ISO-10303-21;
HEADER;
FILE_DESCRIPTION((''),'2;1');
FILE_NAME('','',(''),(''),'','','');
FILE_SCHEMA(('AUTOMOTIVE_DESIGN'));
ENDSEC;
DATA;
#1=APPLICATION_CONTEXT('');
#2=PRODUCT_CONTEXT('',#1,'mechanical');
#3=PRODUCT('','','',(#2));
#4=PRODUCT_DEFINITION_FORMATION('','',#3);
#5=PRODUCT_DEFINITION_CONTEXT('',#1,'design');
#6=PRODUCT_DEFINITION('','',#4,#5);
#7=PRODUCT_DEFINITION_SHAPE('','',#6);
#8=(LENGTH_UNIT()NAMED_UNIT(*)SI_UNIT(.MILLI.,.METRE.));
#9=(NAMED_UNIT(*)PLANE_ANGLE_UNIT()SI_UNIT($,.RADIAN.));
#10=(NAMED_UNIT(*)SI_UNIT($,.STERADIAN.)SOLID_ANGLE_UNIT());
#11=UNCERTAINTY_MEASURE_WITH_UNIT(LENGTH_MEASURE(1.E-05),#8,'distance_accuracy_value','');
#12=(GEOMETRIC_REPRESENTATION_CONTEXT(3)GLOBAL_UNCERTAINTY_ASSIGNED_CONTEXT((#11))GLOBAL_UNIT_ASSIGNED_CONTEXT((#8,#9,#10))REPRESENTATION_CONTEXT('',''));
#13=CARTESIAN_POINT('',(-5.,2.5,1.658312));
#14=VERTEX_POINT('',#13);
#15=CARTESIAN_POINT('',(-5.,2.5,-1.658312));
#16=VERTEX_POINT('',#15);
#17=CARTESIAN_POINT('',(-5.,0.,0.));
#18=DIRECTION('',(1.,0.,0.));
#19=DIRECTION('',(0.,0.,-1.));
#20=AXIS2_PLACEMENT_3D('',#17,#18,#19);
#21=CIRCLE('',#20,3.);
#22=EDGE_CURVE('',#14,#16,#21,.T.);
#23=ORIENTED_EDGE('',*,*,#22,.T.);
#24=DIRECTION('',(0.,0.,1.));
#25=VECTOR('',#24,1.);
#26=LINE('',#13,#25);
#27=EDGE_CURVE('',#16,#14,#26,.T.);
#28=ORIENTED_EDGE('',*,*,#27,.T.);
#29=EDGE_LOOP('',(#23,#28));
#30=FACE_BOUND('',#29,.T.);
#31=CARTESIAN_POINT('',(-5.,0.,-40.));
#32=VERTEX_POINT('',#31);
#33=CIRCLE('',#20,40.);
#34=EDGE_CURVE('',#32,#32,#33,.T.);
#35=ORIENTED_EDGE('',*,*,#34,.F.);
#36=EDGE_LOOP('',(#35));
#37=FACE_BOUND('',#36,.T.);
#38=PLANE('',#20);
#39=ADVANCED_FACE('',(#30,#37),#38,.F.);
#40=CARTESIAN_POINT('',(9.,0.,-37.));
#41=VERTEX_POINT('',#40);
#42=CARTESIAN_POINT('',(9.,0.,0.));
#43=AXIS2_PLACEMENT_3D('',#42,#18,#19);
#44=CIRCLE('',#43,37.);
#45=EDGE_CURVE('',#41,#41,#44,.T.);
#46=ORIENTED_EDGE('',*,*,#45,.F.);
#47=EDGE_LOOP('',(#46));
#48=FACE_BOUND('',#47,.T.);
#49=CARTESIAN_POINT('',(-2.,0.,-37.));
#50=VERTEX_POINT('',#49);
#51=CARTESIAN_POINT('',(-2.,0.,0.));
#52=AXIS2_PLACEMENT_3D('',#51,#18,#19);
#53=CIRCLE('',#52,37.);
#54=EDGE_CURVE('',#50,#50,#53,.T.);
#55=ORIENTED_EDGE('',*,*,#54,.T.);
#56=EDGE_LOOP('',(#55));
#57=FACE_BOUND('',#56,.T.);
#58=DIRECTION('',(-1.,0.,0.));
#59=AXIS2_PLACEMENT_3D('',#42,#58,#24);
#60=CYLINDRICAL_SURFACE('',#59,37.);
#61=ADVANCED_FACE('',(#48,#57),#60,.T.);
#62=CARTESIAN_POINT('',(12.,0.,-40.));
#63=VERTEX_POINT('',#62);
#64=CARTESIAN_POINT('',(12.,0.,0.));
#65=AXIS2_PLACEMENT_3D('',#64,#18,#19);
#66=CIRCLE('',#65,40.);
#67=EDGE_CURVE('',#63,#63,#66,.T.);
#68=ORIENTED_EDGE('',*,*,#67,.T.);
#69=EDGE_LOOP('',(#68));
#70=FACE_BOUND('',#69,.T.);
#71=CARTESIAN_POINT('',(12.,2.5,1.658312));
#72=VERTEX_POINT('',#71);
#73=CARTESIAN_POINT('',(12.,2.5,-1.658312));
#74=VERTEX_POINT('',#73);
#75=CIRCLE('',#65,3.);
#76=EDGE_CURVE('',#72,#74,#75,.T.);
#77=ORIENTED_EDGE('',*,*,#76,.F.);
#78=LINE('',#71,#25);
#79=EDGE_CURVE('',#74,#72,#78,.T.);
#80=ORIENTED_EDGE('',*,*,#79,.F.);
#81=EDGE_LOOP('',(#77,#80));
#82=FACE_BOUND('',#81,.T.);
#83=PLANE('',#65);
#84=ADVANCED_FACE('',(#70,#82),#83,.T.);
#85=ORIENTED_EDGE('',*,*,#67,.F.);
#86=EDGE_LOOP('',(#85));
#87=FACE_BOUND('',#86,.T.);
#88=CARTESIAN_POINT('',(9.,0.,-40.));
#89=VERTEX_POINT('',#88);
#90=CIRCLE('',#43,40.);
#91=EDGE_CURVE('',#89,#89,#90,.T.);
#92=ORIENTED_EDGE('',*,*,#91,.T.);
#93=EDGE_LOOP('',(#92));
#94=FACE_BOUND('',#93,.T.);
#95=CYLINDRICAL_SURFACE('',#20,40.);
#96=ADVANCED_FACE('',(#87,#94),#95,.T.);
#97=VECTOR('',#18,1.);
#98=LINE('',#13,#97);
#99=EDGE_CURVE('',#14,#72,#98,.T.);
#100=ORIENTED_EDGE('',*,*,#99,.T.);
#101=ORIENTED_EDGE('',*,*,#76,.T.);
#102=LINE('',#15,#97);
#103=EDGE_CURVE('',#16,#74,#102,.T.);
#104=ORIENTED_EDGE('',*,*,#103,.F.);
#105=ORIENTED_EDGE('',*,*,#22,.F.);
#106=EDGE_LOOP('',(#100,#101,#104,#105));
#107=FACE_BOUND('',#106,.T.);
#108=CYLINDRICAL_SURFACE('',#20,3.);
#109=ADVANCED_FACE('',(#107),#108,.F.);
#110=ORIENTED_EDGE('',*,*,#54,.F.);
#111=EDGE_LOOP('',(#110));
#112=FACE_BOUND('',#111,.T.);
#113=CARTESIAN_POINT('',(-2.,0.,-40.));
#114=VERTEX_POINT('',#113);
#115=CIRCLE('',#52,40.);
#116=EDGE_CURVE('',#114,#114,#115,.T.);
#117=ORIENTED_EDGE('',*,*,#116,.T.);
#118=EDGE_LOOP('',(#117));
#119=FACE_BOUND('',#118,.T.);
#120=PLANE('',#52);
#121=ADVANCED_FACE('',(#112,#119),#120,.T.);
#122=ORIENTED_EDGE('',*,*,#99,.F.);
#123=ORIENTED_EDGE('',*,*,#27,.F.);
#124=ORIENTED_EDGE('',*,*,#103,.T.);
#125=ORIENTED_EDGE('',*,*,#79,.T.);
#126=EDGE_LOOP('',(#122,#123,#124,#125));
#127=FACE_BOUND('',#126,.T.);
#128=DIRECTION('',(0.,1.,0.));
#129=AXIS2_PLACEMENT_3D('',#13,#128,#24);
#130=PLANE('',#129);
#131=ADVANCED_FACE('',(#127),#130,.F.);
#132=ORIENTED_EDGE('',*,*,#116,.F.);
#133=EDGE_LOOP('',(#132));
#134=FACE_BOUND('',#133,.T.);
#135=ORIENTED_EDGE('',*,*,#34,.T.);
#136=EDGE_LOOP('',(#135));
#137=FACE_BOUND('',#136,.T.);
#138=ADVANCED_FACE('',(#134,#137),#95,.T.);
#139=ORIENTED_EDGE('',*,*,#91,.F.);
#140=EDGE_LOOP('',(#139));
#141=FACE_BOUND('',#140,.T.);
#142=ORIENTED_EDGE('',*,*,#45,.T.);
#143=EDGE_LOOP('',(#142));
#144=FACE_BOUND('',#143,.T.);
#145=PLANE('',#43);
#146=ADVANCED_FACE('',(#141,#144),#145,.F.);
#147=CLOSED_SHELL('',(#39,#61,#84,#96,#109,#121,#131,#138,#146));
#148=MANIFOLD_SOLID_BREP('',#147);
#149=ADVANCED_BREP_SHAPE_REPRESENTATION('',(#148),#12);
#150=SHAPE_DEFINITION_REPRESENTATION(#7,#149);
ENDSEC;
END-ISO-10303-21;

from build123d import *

# Parameters (mm, degrees)
BASE_DEPTH           = 12
BASE_DEPTH_BACK      = 5
ESQUISSE1_R          = 40
VIDE_PNEU_DEPTH      = 9
VIDE_PNEU_DEPTH_BACK = 2
ESQUISSE4_R          = 40
ESQUISSE4_R_2        = 37


with BuildPart() as part:
    # Esquisse1 → BASE (new, two sides: drawn at the far end of the back side and taken through both)
    with BuildSketch(Plane(origin=(0, 0, 0), x_dir=(0, 0, -1), z_dir=(1, 0, 0)).offset(-BASE_DEPTH_BACK)):
        Circle(ESQUISSE1_R)
        with BuildLine():
            Line((-1.658312395, 2.5), (1.658312395, 2.5))
            ThreePointArc((1.658312395, 2.5), (0, -3), (-1.658312395, 2.5))
        make_face(mode=Mode.SUBTRACT)
    extrude(amount=BASE_DEPTH + BASE_DEPTH_BACK)

    # Esquisse4 → VIDE PNEU (cut, two sides: drawn at the far end of the back side and taken through both)
    with BuildSketch(Plane(origin=(0, 0, 0), x_dir=(0, 0, -1), z_dir=(1, 0, 0)).offset(-VIDE_PNEU_DEPTH_BACK)):
        Circle(ESQUISSE4_R)
        Circle(ESQUISSE4_R_2, mode=Mode.SUBTRACT)
    extrude(amount=VIDE_PNEU_DEPTH + VIDE_PNEU_DEPTH_BACK, mode=Mode.SUBTRACT)


solid = part.part
